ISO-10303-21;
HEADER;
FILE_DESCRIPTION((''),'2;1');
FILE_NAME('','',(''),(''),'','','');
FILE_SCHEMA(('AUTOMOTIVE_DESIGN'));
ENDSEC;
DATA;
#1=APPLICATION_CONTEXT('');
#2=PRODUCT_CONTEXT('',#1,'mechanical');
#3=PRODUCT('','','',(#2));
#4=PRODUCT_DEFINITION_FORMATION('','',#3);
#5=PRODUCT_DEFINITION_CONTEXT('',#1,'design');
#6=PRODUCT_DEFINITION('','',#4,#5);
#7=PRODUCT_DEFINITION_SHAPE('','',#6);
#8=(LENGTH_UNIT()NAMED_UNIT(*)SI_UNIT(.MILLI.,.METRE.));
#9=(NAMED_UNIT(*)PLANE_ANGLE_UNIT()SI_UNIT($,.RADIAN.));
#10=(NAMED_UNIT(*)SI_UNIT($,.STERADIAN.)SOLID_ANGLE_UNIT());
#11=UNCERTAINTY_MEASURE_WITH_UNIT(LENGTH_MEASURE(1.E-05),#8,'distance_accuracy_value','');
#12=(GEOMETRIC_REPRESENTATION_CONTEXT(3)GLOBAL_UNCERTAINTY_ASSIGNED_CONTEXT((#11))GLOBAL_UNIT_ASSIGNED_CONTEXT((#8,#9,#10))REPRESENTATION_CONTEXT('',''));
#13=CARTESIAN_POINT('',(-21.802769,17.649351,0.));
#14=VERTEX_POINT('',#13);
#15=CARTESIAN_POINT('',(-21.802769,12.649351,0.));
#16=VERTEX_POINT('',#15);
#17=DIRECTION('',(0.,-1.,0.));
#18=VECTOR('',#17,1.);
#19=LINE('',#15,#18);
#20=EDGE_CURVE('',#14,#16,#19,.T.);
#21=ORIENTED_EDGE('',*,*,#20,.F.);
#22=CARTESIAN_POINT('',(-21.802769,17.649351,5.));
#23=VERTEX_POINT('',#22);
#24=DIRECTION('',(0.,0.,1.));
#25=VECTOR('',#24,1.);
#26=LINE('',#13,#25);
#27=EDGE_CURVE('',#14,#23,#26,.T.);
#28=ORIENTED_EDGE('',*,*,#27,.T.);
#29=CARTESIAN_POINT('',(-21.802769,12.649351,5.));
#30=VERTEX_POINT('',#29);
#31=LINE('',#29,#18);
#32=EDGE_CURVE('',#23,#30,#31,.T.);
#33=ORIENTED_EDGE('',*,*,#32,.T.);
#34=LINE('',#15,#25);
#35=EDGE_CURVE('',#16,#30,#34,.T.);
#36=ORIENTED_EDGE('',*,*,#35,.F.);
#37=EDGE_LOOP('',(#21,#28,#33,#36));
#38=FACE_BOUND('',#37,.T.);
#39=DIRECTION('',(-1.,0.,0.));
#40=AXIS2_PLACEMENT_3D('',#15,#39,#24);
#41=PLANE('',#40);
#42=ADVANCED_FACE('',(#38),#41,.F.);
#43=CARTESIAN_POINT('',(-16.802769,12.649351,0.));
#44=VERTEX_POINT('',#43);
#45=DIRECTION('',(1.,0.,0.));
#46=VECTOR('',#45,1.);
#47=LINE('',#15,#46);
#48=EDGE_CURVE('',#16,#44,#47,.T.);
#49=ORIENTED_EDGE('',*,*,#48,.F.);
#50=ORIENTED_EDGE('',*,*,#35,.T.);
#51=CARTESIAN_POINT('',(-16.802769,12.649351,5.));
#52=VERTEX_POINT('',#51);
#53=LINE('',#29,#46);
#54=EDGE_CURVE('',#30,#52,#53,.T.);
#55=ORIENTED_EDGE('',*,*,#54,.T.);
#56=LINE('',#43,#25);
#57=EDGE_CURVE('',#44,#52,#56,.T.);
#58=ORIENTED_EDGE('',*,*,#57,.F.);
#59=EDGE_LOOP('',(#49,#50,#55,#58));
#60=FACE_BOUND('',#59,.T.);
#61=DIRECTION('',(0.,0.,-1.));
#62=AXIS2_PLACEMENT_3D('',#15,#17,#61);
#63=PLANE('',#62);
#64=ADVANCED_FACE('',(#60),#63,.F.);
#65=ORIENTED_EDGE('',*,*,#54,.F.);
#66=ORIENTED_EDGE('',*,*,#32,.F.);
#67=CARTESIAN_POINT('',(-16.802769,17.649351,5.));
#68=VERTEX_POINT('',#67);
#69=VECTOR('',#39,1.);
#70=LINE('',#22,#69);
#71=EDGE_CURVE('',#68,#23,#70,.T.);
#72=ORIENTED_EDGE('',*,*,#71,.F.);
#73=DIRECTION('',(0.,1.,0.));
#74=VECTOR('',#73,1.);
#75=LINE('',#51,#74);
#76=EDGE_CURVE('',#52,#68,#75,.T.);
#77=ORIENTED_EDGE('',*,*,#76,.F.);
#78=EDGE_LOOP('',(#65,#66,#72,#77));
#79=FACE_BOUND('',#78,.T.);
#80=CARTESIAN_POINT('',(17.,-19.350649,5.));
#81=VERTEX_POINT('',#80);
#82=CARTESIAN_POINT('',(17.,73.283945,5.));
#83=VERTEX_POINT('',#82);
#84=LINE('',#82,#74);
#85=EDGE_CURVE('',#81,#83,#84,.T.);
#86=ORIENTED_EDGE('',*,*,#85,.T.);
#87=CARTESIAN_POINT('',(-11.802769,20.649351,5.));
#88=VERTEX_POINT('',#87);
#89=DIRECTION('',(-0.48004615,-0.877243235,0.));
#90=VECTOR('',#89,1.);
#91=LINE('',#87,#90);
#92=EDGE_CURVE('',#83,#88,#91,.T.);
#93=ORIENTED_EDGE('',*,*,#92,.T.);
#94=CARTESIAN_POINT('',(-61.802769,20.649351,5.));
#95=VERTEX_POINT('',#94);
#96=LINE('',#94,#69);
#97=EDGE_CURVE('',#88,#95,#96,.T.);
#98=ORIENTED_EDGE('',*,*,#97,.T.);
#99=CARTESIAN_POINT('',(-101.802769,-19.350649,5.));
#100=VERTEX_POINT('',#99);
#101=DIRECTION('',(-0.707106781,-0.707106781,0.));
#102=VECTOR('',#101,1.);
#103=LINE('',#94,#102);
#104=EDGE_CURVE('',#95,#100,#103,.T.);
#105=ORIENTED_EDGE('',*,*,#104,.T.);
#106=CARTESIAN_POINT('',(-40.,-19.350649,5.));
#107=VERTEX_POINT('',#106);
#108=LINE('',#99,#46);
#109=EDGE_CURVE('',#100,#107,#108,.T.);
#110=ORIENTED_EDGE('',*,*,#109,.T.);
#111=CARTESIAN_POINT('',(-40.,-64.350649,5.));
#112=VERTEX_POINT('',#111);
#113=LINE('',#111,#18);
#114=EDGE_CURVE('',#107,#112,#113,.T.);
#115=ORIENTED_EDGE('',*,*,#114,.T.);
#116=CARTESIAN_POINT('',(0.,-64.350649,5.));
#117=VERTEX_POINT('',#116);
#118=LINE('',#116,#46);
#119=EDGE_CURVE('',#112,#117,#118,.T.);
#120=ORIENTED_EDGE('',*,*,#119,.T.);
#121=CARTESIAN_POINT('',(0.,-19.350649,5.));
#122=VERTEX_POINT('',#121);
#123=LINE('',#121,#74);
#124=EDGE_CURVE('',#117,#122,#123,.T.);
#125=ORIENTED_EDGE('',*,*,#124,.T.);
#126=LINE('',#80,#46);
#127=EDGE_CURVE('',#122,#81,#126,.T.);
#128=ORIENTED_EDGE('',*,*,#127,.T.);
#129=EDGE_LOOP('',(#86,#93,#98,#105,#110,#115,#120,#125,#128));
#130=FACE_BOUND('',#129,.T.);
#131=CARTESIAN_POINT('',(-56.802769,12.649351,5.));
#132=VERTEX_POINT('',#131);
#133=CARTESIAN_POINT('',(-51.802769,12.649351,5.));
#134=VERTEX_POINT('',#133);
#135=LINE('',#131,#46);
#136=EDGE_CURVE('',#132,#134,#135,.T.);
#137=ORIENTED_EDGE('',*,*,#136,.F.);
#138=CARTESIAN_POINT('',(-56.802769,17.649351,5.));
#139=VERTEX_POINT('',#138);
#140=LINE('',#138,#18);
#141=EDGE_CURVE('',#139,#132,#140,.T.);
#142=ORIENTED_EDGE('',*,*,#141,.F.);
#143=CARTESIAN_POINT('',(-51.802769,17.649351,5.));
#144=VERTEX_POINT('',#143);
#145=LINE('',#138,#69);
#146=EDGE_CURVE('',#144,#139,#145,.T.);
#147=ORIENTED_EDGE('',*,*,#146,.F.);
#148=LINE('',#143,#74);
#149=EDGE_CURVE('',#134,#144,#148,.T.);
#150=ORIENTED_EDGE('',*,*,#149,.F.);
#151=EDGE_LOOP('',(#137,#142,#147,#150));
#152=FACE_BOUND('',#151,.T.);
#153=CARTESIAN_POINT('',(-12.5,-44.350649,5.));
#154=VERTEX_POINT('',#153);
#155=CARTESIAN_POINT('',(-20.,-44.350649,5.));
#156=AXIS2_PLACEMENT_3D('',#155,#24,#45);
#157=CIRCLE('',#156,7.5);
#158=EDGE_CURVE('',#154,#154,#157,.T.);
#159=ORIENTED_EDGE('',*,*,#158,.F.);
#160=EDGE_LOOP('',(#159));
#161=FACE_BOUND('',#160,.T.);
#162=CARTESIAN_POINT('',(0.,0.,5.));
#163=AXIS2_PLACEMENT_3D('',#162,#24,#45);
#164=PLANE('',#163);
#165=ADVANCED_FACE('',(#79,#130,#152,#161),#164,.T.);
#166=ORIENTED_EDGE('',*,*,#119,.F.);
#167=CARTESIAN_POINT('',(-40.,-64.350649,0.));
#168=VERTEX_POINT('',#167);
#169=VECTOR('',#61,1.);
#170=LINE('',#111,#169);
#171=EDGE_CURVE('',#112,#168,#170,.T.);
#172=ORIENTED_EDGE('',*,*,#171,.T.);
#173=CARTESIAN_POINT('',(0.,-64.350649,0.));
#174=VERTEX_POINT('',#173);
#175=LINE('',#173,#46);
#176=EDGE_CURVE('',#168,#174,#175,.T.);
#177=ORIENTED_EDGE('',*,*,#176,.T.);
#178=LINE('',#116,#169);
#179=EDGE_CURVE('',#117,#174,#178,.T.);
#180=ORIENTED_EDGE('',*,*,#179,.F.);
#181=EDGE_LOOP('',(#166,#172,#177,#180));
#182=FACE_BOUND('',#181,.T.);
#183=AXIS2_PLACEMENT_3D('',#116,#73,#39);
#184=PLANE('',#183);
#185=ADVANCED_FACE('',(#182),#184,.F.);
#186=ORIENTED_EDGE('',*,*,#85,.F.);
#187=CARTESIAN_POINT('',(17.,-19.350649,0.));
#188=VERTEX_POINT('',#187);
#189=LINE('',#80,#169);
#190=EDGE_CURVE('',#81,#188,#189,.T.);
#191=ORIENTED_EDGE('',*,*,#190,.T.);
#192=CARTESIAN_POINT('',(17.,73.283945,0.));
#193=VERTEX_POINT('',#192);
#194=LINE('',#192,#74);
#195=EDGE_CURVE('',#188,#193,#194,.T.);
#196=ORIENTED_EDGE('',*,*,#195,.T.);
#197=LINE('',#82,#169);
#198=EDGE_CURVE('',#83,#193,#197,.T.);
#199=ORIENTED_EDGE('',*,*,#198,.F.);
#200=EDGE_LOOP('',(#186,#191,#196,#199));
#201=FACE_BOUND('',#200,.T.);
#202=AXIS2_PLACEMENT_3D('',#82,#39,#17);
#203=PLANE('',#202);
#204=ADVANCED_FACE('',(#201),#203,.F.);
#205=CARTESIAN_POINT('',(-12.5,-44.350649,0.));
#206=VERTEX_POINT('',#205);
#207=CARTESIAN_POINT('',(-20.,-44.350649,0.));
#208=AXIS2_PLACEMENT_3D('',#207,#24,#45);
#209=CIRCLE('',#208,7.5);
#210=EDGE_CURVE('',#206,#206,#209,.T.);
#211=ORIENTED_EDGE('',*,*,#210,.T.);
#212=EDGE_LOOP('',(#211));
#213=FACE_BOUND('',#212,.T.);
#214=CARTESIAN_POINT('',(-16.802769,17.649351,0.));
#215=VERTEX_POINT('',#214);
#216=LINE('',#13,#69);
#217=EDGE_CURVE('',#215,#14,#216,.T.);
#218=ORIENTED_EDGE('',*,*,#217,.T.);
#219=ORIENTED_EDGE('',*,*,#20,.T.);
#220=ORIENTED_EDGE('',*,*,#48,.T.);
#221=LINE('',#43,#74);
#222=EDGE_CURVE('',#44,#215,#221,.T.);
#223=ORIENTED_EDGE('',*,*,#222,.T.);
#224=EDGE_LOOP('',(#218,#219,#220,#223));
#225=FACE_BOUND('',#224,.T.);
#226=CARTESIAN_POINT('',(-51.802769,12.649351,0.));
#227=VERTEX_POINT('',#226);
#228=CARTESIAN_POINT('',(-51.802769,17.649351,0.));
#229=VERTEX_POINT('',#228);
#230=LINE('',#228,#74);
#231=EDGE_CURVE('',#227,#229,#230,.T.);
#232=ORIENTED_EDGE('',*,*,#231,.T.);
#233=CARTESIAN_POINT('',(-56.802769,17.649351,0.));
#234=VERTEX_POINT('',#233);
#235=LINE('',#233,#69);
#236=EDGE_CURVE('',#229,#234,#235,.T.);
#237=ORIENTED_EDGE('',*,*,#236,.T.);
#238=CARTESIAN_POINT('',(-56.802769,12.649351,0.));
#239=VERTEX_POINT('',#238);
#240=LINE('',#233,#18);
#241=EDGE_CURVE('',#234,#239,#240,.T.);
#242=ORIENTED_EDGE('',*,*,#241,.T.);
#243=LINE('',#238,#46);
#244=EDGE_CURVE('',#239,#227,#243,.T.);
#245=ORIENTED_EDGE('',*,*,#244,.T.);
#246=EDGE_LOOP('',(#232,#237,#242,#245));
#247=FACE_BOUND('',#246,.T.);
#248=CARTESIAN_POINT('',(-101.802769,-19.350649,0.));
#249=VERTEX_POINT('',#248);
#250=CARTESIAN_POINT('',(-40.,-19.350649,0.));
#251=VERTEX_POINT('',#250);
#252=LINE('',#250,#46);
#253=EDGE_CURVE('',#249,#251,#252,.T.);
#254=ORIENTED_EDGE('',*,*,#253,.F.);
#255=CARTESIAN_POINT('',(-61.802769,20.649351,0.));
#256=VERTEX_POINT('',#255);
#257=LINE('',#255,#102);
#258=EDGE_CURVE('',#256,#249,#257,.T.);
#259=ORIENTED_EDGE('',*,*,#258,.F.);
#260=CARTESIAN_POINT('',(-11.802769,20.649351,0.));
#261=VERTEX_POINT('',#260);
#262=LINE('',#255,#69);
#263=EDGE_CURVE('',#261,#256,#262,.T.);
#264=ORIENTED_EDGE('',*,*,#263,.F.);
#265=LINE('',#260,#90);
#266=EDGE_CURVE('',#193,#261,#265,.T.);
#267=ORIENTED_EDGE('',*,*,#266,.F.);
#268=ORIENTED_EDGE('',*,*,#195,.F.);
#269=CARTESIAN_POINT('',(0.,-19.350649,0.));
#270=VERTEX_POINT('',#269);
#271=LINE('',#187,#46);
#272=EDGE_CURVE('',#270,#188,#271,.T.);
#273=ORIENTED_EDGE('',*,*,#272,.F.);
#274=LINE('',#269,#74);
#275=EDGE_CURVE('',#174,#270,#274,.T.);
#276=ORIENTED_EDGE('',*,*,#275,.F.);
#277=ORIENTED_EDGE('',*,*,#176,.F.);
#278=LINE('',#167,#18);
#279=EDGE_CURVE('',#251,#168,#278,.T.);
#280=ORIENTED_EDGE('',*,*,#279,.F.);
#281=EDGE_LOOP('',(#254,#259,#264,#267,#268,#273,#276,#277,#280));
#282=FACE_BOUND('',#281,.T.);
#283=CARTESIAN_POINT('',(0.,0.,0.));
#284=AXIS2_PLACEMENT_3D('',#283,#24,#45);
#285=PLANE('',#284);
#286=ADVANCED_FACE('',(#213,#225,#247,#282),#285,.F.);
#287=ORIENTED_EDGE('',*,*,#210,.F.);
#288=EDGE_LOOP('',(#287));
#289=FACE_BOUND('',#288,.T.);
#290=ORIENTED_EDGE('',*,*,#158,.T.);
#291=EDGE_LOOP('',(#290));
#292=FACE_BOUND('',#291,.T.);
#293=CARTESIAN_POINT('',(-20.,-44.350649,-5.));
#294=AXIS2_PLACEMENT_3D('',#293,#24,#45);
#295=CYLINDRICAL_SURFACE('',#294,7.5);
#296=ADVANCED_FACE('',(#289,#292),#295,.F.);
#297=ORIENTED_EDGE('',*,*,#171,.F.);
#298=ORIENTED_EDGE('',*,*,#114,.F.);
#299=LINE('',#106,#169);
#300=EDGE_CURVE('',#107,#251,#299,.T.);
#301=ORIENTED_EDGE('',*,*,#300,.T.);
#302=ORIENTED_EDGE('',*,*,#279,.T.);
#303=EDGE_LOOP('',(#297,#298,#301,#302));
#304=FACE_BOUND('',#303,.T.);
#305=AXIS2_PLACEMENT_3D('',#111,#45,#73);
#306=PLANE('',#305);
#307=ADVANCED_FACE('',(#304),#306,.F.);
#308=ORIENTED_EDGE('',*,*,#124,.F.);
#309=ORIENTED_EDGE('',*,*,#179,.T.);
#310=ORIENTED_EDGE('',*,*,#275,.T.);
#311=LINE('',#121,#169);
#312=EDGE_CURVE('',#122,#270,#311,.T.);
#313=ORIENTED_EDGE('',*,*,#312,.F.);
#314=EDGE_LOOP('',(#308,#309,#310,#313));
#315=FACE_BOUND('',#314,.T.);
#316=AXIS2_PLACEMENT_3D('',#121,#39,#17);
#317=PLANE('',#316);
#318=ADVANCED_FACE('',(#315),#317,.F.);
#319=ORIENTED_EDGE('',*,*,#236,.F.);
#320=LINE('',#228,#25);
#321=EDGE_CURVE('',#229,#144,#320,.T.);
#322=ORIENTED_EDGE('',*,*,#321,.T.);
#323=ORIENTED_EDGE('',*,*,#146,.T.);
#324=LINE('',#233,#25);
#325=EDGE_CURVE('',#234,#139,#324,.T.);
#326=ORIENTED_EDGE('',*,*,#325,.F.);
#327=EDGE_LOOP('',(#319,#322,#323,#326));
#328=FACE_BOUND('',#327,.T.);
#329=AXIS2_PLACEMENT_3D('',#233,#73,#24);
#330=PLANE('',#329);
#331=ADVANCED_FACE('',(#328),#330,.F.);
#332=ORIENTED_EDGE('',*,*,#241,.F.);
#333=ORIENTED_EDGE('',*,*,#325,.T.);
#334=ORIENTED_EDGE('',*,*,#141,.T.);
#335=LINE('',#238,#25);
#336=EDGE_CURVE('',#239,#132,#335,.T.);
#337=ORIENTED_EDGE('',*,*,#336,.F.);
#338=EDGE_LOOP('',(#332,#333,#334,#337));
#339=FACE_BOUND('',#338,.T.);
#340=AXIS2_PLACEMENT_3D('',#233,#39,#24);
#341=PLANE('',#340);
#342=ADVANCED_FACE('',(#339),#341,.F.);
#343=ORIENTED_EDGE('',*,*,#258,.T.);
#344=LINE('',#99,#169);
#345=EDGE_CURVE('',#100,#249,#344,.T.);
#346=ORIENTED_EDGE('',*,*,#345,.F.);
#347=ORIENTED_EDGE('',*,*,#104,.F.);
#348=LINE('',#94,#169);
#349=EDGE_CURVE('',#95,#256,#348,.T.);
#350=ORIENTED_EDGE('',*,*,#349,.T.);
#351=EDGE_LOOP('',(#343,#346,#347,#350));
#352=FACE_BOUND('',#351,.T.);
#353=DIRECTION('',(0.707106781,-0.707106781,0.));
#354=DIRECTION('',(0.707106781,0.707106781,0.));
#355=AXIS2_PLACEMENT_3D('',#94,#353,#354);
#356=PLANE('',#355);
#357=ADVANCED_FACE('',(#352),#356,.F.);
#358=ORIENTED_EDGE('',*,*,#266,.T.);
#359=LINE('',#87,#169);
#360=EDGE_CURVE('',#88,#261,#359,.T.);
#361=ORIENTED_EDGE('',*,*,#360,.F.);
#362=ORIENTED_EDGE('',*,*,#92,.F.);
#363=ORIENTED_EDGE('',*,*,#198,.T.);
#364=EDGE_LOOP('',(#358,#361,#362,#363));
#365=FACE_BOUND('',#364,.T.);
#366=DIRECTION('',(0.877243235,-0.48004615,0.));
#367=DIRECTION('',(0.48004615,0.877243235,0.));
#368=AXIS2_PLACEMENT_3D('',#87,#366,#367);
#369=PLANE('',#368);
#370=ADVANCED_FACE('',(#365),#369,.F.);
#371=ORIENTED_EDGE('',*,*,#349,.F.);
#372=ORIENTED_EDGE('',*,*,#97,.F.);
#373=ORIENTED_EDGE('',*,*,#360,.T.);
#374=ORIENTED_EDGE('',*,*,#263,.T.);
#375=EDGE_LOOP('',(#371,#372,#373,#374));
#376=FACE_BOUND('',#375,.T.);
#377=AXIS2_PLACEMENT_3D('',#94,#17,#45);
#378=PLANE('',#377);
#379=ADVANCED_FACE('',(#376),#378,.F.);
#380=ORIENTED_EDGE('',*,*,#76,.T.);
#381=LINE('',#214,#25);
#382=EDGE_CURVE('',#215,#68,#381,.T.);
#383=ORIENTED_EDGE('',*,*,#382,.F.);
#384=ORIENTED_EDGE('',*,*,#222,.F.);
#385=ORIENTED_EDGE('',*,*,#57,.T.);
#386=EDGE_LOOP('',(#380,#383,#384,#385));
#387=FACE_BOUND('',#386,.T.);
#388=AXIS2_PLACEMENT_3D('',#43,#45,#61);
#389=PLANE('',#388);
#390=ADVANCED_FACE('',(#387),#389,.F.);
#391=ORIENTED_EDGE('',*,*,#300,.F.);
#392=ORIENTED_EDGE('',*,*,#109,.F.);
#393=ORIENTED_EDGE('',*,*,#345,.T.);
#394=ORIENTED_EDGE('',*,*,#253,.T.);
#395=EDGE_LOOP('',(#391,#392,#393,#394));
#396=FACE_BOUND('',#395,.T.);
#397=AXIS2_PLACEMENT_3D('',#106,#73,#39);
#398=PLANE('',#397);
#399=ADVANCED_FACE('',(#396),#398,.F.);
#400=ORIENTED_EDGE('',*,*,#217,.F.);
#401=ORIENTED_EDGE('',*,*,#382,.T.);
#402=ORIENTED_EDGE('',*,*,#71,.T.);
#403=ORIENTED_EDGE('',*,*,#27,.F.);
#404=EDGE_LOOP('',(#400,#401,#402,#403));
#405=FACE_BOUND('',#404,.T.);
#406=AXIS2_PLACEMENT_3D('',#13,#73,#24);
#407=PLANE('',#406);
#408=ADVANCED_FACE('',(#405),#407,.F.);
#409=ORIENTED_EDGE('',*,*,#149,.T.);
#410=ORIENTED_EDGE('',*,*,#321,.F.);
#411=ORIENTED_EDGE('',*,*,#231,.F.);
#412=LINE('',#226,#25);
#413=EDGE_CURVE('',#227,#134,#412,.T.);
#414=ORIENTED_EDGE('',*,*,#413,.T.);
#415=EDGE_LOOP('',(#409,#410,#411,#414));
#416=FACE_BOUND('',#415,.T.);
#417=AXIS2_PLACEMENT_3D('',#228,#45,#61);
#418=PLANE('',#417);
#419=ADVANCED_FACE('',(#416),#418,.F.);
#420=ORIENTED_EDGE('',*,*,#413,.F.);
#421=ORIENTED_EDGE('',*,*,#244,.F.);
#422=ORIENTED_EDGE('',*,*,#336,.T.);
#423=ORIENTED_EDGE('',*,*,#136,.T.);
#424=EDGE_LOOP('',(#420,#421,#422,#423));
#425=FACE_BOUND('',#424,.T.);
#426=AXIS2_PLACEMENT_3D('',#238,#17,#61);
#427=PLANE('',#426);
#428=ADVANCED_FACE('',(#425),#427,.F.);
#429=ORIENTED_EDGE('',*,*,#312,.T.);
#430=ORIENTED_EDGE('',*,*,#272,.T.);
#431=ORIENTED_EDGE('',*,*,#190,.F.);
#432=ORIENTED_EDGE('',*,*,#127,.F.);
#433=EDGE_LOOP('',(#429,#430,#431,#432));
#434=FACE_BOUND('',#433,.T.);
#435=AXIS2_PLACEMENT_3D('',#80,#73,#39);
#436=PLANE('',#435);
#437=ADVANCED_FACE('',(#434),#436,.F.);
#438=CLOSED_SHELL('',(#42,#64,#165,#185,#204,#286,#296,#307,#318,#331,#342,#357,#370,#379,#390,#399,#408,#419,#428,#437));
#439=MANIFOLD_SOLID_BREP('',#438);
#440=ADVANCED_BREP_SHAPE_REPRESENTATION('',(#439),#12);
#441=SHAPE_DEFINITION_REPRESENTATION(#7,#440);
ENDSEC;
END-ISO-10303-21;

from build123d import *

# Parameters (mm, degrees)
BOSS_EXTRUDE1_DEPTH = 5
SKETCH3_W           = 5
SKETCH3_H           = 5
CUT_EXTRUDE1_DEPTH  = 5
SKETCH4_R           = 7.5
CUT_EXTRUDE2_DEPTH  = 10


with BuildPart() as part:
    # Sketch2 → Boss-Extrude1 (new body)
    with BuildSketch(Plane.XY):
        Polygon((-61.802768985, 20.649350649), (-11.802768985, 20.649350649), (17, 73.283944775), (17, -19.350649351), (0, -19.350649351), (0, -64.350649351), (-40, -64.350649351), (-40, -19.350649351), (-61.802768985, -19.350649351), (-101.802768985, -19.350649351), align=None)
    extrude(amount=BOSS_EXTRUDE1_DEPTH)

    # Sketch3 → Cut-Extrude1 (cut)
    with BuildSketch(Plane.XY.offset(5)):
        with Locations((-54.302768985, 15.149350649)):
            Rectangle(SKETCH3_W, SKETCH3_H)
        with Locations((-19.302768985, 15.149350649)):
            Rectangle(SKETCH3_W, SKETCH3_H)
    extrude(amount=-CUT_EXTRUDE1_DEPTH, mode=Mode.SUBTRACT)

    # Sketch4 → Cut-Extrude2 (cut)
    with BuildSketch(Plane.XY.offset(5)):
        with Locations((-20, -44.350649351)):
            Circle(SKETCH4_R)
    extrude(amount=-CUT_EXTRUDE2_DEPTH, mode=Mode.SUBTRACT)


solid = part.part
